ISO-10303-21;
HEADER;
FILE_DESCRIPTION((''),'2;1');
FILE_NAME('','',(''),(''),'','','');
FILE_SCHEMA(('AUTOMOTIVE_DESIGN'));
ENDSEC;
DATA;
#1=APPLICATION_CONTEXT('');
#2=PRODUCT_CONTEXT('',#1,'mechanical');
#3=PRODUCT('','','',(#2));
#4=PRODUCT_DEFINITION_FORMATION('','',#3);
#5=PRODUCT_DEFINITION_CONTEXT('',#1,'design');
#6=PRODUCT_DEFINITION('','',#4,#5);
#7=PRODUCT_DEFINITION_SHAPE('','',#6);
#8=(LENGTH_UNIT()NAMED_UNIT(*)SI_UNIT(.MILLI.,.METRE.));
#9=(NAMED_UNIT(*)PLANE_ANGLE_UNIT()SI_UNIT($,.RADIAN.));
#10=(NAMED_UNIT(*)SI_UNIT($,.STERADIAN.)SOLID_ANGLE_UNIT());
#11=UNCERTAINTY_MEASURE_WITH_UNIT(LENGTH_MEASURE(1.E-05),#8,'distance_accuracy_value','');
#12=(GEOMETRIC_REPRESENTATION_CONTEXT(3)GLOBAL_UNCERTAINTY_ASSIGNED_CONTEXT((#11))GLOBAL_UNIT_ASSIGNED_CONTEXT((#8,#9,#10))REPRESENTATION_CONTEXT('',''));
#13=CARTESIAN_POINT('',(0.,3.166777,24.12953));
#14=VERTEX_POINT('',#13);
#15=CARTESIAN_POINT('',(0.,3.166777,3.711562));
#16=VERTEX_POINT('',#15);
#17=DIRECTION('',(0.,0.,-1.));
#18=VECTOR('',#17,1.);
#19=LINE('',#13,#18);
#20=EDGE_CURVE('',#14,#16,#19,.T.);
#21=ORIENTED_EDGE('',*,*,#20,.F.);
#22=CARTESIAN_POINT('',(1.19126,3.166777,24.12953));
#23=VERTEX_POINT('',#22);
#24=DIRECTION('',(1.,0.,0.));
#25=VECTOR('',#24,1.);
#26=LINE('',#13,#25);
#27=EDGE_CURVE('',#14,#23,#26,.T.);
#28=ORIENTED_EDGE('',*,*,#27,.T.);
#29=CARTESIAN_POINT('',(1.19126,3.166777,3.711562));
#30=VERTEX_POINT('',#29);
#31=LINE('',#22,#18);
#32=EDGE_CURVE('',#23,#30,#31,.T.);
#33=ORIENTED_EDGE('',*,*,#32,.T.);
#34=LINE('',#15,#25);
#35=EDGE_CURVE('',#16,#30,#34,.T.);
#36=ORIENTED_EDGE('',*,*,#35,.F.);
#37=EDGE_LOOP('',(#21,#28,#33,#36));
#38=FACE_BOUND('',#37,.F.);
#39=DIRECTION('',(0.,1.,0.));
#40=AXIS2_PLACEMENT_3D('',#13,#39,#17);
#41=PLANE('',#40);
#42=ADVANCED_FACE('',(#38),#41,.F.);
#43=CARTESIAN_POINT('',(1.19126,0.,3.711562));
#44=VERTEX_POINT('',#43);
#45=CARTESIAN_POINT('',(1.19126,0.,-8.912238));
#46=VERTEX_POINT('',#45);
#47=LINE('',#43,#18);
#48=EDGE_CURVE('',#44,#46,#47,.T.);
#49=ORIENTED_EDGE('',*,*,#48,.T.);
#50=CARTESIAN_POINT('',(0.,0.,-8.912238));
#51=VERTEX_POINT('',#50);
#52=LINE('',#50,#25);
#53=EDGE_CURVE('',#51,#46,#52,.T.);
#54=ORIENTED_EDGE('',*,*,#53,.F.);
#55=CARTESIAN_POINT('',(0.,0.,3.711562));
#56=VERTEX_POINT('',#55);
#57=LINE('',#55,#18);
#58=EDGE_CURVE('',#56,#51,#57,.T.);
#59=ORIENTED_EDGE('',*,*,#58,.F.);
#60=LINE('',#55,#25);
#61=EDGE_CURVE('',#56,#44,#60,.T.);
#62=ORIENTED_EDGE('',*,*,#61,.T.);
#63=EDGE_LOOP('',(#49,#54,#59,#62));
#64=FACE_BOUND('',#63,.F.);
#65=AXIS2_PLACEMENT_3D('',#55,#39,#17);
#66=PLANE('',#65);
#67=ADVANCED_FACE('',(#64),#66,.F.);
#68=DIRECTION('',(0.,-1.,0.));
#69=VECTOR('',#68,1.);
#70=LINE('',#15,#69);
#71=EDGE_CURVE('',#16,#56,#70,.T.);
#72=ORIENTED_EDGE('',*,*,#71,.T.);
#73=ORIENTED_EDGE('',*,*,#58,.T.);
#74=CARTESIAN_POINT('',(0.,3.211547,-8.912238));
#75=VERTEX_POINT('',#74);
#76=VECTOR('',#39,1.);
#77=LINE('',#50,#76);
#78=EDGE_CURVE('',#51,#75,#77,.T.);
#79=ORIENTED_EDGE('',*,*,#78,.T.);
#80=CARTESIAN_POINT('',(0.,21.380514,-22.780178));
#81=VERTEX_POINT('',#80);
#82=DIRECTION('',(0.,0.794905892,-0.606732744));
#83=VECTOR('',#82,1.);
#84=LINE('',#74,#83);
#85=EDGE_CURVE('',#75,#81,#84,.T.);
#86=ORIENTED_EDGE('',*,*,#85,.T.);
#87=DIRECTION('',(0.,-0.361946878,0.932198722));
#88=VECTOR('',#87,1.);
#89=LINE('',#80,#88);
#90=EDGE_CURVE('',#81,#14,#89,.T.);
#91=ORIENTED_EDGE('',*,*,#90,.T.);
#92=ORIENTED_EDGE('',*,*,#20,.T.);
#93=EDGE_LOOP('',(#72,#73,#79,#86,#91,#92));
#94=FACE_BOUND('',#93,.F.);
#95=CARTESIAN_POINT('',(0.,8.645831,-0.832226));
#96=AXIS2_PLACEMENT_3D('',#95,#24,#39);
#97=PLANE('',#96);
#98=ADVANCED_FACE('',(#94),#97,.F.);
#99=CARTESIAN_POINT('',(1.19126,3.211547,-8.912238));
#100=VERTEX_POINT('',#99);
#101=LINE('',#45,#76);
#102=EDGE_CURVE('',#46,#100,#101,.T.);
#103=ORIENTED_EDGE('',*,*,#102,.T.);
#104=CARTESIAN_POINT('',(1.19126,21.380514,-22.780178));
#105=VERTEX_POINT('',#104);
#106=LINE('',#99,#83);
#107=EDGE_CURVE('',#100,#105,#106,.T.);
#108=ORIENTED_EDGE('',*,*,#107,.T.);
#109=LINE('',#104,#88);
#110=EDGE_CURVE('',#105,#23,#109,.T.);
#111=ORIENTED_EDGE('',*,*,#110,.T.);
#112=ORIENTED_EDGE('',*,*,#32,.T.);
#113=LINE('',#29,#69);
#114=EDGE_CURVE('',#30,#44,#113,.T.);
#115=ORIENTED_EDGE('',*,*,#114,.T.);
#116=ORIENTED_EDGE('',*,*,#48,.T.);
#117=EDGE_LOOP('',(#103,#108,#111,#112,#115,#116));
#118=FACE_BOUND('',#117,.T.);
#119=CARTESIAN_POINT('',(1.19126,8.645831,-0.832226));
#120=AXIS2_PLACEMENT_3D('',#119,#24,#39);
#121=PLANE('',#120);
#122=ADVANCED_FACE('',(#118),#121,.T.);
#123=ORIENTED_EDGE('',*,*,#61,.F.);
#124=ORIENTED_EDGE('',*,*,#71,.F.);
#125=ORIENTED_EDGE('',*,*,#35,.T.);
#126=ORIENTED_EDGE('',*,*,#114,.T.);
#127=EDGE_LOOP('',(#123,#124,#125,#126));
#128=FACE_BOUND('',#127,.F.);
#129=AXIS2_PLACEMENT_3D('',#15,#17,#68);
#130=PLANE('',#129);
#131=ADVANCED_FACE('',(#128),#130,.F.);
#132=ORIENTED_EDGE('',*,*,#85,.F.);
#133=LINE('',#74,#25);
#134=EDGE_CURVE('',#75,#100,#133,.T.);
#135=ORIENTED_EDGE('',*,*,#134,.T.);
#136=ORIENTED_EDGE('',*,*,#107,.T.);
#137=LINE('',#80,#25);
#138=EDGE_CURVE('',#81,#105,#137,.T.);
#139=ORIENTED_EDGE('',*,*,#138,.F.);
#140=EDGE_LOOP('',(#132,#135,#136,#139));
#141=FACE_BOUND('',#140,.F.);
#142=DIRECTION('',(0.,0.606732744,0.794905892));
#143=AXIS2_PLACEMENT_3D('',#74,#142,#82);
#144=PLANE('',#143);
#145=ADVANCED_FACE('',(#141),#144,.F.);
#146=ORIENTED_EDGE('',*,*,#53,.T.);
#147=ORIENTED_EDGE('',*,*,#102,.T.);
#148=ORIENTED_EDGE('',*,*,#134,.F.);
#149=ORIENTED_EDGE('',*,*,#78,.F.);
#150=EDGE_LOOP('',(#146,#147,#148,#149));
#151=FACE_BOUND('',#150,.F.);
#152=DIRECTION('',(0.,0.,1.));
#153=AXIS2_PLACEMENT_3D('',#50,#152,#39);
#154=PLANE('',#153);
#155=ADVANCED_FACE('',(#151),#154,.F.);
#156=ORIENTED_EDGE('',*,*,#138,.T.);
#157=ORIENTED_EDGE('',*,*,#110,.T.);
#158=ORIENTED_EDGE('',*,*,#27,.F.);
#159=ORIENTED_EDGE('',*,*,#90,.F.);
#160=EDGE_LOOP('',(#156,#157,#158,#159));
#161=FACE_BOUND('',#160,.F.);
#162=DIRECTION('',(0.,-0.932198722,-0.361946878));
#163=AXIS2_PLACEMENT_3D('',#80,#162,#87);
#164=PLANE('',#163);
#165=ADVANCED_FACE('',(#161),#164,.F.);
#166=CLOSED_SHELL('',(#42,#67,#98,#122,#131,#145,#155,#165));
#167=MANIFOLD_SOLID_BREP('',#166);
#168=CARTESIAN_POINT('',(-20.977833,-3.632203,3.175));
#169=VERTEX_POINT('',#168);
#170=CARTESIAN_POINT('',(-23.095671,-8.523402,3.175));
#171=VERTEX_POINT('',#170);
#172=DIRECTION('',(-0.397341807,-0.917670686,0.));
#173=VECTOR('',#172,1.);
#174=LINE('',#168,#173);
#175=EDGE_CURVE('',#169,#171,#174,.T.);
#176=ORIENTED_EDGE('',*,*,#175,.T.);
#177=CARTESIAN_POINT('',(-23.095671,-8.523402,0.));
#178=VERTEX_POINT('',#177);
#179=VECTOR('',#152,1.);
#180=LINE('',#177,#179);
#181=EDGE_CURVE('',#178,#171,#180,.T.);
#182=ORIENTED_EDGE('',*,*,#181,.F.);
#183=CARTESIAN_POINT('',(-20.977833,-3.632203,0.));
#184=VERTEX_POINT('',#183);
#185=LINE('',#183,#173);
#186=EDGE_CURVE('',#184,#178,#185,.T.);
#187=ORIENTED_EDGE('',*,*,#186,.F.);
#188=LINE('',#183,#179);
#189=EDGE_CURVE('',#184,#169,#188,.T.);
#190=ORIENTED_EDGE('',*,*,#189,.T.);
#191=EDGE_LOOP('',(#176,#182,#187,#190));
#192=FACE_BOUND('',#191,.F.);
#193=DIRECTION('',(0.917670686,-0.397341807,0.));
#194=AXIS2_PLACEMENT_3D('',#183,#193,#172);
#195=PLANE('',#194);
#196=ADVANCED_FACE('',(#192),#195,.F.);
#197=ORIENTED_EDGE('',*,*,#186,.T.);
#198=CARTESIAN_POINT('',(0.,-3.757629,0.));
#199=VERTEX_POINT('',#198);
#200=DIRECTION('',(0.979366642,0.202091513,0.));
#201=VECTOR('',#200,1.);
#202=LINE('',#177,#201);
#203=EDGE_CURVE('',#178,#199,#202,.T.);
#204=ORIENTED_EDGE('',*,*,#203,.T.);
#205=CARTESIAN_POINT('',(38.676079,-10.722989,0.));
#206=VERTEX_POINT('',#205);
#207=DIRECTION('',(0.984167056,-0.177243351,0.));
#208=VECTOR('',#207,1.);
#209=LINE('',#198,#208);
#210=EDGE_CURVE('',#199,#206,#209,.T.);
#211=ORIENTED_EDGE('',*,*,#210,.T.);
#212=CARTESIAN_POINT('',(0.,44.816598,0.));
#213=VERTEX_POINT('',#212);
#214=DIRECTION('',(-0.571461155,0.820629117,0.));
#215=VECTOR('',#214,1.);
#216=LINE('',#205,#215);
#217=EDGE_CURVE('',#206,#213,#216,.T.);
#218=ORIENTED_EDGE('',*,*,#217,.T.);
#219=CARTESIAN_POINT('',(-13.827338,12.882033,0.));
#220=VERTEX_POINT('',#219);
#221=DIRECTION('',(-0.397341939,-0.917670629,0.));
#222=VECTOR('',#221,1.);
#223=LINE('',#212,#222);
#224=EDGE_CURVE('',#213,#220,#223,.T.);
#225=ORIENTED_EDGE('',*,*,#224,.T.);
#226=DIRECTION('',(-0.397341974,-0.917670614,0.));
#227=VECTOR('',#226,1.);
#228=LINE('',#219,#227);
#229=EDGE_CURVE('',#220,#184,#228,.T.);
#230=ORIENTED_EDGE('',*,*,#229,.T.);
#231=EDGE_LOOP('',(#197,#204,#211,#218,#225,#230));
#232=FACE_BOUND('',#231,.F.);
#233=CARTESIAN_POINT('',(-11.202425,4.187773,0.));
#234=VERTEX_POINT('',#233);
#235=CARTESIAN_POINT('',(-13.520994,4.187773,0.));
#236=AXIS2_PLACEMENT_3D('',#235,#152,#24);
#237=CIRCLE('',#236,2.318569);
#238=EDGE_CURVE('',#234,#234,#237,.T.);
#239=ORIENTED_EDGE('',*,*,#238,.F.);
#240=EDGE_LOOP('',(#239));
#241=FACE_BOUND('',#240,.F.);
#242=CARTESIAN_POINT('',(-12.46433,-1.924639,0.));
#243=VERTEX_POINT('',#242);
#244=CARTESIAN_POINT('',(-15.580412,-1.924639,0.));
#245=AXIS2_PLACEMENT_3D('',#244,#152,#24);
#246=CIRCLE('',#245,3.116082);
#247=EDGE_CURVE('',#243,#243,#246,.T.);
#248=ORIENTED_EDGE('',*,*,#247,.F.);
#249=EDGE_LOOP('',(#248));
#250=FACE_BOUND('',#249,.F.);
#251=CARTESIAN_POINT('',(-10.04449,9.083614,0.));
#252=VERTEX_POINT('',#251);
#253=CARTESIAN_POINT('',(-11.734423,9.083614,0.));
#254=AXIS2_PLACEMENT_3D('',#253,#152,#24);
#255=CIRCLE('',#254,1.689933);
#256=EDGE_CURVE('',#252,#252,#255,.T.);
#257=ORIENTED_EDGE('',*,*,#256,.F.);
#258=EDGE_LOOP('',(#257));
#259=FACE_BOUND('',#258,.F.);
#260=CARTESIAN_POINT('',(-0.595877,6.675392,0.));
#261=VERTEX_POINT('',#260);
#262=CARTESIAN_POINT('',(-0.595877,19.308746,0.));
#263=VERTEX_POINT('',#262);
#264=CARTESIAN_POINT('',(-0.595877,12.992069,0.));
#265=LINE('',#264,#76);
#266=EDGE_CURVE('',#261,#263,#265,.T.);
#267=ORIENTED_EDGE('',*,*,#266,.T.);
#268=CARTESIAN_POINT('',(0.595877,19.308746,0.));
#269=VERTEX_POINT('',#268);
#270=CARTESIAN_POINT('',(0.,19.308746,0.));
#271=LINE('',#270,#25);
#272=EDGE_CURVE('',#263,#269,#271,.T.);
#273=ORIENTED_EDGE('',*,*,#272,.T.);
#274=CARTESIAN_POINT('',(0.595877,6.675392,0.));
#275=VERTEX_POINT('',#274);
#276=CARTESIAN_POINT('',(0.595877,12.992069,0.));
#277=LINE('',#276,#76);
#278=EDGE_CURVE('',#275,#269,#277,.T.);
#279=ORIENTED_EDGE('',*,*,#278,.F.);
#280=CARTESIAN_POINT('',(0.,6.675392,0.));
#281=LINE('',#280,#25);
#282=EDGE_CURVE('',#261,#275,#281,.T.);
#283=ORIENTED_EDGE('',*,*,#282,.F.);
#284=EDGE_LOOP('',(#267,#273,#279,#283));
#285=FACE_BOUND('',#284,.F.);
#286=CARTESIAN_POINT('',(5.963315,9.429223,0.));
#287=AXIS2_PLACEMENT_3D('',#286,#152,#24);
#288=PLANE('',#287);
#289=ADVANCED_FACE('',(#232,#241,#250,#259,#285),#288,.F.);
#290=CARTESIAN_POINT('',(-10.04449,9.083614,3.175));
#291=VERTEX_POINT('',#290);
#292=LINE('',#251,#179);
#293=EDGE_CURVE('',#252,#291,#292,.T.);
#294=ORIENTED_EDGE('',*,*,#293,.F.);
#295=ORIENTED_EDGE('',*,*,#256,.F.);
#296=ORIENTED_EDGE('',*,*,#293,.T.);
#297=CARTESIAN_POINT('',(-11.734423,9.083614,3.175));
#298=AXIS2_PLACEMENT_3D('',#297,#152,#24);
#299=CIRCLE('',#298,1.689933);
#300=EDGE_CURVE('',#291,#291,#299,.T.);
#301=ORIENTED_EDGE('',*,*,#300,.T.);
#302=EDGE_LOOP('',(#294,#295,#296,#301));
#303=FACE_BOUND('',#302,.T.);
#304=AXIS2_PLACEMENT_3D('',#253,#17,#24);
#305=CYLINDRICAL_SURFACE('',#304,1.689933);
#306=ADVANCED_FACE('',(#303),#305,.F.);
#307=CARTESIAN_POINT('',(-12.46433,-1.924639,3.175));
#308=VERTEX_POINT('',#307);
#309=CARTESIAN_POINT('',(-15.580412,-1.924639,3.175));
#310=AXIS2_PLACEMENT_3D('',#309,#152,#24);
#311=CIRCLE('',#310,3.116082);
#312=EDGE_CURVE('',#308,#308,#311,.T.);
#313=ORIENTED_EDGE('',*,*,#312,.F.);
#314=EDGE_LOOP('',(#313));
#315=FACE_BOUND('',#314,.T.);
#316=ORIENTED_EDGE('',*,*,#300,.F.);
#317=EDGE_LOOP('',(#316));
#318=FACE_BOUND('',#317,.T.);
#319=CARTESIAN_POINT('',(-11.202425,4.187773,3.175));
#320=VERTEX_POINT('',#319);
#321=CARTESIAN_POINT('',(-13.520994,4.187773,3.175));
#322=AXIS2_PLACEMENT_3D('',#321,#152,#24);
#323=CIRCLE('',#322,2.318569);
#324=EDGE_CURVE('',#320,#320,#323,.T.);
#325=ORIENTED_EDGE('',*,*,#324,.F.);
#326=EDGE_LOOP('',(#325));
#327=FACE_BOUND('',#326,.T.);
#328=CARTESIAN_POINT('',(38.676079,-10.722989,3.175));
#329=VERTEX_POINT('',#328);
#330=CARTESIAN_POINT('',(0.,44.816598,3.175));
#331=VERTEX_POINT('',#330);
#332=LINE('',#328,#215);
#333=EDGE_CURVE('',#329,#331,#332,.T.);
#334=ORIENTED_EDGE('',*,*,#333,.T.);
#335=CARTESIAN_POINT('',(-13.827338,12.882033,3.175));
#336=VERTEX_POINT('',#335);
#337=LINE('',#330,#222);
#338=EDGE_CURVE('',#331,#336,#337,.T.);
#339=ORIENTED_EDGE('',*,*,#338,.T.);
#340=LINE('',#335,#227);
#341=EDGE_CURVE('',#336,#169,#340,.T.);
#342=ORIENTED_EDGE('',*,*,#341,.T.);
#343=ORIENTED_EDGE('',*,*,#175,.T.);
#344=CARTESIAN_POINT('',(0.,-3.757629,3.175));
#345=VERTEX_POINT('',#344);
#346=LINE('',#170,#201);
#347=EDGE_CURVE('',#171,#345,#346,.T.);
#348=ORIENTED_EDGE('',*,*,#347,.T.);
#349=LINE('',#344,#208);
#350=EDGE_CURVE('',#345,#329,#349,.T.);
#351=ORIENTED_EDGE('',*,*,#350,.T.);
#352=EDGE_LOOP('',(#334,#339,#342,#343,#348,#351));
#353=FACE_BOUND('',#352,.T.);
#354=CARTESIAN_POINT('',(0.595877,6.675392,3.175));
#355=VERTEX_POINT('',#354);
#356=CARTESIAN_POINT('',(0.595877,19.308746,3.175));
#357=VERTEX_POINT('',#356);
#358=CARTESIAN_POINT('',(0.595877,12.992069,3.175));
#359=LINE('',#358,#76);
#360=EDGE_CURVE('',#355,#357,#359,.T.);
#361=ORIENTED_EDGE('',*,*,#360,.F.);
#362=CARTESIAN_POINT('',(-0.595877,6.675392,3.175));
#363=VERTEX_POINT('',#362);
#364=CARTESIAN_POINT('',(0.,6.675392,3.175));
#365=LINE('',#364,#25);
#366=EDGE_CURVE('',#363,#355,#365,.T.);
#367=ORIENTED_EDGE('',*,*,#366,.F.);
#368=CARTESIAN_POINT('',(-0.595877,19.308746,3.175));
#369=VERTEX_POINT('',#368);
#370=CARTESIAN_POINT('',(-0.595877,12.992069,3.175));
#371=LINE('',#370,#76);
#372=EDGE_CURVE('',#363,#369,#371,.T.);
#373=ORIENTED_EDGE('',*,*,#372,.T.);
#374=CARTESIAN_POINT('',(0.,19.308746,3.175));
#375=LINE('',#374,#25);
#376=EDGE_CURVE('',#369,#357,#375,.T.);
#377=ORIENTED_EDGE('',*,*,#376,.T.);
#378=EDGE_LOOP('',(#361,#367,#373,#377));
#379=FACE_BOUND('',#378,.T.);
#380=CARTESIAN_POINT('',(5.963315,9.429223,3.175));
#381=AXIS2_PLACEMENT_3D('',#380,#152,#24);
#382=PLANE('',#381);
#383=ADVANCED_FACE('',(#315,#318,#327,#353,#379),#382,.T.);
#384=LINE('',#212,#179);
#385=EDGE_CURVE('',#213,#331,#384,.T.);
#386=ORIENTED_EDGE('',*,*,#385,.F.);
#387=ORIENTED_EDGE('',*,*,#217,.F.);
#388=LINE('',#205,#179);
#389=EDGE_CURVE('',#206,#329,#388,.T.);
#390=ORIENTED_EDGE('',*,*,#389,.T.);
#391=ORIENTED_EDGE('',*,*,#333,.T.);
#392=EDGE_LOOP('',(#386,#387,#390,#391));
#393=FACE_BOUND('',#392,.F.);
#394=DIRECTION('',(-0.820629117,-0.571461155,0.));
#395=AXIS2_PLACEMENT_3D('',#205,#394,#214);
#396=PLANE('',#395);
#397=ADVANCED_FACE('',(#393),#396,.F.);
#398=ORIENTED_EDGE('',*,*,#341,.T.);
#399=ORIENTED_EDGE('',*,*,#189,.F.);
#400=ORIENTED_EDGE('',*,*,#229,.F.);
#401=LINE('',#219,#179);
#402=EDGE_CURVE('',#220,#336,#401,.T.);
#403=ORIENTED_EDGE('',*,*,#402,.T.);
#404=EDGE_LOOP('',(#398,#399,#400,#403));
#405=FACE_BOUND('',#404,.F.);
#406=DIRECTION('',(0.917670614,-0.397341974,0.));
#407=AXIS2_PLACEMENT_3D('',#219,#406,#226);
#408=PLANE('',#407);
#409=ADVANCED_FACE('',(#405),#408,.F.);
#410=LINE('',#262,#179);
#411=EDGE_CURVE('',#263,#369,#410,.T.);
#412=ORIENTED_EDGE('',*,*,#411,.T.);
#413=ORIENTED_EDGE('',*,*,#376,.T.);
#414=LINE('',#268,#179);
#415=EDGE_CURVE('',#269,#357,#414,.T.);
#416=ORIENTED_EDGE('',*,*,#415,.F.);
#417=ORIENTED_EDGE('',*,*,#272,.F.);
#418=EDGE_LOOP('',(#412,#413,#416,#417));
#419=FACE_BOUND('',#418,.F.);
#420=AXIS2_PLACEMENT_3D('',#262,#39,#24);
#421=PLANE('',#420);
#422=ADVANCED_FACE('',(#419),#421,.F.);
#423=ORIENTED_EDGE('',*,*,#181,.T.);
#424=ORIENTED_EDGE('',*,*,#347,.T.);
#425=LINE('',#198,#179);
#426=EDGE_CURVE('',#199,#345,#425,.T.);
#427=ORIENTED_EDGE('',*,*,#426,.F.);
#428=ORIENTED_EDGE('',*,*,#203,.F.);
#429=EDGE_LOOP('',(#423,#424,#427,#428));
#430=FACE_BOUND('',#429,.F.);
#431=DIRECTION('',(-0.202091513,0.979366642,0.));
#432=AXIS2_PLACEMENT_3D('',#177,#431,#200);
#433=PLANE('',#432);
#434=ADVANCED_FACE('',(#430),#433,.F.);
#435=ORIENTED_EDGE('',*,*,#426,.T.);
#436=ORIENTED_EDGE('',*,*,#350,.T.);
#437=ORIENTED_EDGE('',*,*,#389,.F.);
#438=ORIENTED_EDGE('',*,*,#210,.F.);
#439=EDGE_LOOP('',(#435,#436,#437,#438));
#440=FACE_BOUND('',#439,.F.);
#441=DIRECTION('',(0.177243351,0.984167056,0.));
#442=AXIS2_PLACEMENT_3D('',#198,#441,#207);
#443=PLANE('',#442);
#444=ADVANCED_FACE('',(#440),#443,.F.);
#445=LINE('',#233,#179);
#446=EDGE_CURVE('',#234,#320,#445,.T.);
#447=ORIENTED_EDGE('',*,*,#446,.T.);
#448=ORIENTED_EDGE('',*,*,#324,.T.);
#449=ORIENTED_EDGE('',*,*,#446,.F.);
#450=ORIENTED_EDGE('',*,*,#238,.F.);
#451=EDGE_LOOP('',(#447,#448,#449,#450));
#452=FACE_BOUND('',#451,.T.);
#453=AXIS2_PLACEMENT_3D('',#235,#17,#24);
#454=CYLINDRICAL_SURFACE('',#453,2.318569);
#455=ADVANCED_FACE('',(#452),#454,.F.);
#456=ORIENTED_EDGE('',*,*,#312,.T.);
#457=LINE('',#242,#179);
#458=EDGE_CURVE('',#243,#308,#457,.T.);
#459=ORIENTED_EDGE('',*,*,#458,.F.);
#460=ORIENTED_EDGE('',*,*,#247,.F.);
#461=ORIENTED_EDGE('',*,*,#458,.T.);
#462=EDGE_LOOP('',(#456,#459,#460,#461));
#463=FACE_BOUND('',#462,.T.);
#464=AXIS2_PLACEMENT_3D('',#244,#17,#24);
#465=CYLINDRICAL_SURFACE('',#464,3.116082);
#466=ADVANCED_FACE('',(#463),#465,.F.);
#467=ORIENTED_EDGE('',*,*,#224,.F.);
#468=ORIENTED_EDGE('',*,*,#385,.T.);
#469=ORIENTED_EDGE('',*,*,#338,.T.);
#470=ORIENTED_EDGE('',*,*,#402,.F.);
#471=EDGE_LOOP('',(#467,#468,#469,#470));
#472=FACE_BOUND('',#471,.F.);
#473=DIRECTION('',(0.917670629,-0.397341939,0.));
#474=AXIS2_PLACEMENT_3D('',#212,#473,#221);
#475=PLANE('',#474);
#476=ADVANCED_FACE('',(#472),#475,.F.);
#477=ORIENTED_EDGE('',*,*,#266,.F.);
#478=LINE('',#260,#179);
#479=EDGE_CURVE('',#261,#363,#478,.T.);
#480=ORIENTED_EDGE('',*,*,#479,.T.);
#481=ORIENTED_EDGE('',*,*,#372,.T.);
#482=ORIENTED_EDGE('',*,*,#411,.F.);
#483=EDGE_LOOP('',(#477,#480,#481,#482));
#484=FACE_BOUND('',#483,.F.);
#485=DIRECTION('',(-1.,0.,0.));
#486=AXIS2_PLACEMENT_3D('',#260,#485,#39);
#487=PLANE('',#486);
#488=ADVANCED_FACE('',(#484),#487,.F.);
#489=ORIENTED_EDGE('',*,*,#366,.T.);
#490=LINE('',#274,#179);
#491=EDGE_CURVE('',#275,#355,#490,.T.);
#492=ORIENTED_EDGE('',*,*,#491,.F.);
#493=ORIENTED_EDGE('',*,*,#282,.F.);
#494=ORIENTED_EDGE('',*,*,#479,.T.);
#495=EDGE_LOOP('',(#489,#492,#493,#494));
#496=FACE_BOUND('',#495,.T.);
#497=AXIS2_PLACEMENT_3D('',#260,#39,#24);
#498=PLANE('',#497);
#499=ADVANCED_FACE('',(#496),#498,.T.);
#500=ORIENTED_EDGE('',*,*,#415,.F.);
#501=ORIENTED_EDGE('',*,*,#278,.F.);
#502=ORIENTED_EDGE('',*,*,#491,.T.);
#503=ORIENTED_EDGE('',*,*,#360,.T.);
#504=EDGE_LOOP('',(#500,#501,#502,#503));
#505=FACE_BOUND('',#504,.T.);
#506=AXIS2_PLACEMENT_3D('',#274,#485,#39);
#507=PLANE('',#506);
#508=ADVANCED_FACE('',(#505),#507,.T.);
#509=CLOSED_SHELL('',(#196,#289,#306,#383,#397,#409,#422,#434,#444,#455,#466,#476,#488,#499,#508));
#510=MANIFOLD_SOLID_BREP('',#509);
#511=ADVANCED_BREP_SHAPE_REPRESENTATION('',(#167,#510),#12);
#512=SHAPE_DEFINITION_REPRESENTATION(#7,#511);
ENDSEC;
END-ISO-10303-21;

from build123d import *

# Parameters (mm, degrees)
F0_R     = 3.116082
F0_R_2   = 2.318569
F0_R_3   = 1.689933
F0_W     = 1.191754
F0_H     = 12.633354
F1_DEPTH = 3.175
F3_DEPTH = 1.19126


with BuildPart() as f1:
    # F0 (on Top) → F1 (new body)
    with BuildSketch(Plane.XY):
        Polygon((38.676079, -10.722989), (0, 44.816598), (-13.827338, 12.882033), (-20.977833, -3.632203), (-23.095671, -8.523402), (0, -3.757629), align=None)
        with Locations((-15.580412, -1.924639)):
            Circle(F0_R, mode=Mode.SUBTRACT)
        with Locations((-13.520994, 4.187773)):
            Circle(F0_R_2, mode=Mode.SUBTRACT)
        with Locations((-11.734423, 9.083614)):
            Circle(F0_R_3, mode=Mode.SUBTRACT)
        with Locations((0, 12.992069)):
            Rectangle(F0_W, F0_H, mode=Mode.SUBTRACT)
    extrude(amount=F1_DEPTH)


with BuildPart() as f3:
    # F2 (on Right) → F3 (new body)
    with BuildSketch(Plane.YZ):
        Polygon((3.166777, 3.711562), (0, 3.711562), (0, -8.912238), (3.211547, -8.912238), (21.380514, -22.780178), (3.166777, 24.12953), align=None)
    extrude(amount=F3_DEPTH)


solid = Compound([f1.part, f3.part])
